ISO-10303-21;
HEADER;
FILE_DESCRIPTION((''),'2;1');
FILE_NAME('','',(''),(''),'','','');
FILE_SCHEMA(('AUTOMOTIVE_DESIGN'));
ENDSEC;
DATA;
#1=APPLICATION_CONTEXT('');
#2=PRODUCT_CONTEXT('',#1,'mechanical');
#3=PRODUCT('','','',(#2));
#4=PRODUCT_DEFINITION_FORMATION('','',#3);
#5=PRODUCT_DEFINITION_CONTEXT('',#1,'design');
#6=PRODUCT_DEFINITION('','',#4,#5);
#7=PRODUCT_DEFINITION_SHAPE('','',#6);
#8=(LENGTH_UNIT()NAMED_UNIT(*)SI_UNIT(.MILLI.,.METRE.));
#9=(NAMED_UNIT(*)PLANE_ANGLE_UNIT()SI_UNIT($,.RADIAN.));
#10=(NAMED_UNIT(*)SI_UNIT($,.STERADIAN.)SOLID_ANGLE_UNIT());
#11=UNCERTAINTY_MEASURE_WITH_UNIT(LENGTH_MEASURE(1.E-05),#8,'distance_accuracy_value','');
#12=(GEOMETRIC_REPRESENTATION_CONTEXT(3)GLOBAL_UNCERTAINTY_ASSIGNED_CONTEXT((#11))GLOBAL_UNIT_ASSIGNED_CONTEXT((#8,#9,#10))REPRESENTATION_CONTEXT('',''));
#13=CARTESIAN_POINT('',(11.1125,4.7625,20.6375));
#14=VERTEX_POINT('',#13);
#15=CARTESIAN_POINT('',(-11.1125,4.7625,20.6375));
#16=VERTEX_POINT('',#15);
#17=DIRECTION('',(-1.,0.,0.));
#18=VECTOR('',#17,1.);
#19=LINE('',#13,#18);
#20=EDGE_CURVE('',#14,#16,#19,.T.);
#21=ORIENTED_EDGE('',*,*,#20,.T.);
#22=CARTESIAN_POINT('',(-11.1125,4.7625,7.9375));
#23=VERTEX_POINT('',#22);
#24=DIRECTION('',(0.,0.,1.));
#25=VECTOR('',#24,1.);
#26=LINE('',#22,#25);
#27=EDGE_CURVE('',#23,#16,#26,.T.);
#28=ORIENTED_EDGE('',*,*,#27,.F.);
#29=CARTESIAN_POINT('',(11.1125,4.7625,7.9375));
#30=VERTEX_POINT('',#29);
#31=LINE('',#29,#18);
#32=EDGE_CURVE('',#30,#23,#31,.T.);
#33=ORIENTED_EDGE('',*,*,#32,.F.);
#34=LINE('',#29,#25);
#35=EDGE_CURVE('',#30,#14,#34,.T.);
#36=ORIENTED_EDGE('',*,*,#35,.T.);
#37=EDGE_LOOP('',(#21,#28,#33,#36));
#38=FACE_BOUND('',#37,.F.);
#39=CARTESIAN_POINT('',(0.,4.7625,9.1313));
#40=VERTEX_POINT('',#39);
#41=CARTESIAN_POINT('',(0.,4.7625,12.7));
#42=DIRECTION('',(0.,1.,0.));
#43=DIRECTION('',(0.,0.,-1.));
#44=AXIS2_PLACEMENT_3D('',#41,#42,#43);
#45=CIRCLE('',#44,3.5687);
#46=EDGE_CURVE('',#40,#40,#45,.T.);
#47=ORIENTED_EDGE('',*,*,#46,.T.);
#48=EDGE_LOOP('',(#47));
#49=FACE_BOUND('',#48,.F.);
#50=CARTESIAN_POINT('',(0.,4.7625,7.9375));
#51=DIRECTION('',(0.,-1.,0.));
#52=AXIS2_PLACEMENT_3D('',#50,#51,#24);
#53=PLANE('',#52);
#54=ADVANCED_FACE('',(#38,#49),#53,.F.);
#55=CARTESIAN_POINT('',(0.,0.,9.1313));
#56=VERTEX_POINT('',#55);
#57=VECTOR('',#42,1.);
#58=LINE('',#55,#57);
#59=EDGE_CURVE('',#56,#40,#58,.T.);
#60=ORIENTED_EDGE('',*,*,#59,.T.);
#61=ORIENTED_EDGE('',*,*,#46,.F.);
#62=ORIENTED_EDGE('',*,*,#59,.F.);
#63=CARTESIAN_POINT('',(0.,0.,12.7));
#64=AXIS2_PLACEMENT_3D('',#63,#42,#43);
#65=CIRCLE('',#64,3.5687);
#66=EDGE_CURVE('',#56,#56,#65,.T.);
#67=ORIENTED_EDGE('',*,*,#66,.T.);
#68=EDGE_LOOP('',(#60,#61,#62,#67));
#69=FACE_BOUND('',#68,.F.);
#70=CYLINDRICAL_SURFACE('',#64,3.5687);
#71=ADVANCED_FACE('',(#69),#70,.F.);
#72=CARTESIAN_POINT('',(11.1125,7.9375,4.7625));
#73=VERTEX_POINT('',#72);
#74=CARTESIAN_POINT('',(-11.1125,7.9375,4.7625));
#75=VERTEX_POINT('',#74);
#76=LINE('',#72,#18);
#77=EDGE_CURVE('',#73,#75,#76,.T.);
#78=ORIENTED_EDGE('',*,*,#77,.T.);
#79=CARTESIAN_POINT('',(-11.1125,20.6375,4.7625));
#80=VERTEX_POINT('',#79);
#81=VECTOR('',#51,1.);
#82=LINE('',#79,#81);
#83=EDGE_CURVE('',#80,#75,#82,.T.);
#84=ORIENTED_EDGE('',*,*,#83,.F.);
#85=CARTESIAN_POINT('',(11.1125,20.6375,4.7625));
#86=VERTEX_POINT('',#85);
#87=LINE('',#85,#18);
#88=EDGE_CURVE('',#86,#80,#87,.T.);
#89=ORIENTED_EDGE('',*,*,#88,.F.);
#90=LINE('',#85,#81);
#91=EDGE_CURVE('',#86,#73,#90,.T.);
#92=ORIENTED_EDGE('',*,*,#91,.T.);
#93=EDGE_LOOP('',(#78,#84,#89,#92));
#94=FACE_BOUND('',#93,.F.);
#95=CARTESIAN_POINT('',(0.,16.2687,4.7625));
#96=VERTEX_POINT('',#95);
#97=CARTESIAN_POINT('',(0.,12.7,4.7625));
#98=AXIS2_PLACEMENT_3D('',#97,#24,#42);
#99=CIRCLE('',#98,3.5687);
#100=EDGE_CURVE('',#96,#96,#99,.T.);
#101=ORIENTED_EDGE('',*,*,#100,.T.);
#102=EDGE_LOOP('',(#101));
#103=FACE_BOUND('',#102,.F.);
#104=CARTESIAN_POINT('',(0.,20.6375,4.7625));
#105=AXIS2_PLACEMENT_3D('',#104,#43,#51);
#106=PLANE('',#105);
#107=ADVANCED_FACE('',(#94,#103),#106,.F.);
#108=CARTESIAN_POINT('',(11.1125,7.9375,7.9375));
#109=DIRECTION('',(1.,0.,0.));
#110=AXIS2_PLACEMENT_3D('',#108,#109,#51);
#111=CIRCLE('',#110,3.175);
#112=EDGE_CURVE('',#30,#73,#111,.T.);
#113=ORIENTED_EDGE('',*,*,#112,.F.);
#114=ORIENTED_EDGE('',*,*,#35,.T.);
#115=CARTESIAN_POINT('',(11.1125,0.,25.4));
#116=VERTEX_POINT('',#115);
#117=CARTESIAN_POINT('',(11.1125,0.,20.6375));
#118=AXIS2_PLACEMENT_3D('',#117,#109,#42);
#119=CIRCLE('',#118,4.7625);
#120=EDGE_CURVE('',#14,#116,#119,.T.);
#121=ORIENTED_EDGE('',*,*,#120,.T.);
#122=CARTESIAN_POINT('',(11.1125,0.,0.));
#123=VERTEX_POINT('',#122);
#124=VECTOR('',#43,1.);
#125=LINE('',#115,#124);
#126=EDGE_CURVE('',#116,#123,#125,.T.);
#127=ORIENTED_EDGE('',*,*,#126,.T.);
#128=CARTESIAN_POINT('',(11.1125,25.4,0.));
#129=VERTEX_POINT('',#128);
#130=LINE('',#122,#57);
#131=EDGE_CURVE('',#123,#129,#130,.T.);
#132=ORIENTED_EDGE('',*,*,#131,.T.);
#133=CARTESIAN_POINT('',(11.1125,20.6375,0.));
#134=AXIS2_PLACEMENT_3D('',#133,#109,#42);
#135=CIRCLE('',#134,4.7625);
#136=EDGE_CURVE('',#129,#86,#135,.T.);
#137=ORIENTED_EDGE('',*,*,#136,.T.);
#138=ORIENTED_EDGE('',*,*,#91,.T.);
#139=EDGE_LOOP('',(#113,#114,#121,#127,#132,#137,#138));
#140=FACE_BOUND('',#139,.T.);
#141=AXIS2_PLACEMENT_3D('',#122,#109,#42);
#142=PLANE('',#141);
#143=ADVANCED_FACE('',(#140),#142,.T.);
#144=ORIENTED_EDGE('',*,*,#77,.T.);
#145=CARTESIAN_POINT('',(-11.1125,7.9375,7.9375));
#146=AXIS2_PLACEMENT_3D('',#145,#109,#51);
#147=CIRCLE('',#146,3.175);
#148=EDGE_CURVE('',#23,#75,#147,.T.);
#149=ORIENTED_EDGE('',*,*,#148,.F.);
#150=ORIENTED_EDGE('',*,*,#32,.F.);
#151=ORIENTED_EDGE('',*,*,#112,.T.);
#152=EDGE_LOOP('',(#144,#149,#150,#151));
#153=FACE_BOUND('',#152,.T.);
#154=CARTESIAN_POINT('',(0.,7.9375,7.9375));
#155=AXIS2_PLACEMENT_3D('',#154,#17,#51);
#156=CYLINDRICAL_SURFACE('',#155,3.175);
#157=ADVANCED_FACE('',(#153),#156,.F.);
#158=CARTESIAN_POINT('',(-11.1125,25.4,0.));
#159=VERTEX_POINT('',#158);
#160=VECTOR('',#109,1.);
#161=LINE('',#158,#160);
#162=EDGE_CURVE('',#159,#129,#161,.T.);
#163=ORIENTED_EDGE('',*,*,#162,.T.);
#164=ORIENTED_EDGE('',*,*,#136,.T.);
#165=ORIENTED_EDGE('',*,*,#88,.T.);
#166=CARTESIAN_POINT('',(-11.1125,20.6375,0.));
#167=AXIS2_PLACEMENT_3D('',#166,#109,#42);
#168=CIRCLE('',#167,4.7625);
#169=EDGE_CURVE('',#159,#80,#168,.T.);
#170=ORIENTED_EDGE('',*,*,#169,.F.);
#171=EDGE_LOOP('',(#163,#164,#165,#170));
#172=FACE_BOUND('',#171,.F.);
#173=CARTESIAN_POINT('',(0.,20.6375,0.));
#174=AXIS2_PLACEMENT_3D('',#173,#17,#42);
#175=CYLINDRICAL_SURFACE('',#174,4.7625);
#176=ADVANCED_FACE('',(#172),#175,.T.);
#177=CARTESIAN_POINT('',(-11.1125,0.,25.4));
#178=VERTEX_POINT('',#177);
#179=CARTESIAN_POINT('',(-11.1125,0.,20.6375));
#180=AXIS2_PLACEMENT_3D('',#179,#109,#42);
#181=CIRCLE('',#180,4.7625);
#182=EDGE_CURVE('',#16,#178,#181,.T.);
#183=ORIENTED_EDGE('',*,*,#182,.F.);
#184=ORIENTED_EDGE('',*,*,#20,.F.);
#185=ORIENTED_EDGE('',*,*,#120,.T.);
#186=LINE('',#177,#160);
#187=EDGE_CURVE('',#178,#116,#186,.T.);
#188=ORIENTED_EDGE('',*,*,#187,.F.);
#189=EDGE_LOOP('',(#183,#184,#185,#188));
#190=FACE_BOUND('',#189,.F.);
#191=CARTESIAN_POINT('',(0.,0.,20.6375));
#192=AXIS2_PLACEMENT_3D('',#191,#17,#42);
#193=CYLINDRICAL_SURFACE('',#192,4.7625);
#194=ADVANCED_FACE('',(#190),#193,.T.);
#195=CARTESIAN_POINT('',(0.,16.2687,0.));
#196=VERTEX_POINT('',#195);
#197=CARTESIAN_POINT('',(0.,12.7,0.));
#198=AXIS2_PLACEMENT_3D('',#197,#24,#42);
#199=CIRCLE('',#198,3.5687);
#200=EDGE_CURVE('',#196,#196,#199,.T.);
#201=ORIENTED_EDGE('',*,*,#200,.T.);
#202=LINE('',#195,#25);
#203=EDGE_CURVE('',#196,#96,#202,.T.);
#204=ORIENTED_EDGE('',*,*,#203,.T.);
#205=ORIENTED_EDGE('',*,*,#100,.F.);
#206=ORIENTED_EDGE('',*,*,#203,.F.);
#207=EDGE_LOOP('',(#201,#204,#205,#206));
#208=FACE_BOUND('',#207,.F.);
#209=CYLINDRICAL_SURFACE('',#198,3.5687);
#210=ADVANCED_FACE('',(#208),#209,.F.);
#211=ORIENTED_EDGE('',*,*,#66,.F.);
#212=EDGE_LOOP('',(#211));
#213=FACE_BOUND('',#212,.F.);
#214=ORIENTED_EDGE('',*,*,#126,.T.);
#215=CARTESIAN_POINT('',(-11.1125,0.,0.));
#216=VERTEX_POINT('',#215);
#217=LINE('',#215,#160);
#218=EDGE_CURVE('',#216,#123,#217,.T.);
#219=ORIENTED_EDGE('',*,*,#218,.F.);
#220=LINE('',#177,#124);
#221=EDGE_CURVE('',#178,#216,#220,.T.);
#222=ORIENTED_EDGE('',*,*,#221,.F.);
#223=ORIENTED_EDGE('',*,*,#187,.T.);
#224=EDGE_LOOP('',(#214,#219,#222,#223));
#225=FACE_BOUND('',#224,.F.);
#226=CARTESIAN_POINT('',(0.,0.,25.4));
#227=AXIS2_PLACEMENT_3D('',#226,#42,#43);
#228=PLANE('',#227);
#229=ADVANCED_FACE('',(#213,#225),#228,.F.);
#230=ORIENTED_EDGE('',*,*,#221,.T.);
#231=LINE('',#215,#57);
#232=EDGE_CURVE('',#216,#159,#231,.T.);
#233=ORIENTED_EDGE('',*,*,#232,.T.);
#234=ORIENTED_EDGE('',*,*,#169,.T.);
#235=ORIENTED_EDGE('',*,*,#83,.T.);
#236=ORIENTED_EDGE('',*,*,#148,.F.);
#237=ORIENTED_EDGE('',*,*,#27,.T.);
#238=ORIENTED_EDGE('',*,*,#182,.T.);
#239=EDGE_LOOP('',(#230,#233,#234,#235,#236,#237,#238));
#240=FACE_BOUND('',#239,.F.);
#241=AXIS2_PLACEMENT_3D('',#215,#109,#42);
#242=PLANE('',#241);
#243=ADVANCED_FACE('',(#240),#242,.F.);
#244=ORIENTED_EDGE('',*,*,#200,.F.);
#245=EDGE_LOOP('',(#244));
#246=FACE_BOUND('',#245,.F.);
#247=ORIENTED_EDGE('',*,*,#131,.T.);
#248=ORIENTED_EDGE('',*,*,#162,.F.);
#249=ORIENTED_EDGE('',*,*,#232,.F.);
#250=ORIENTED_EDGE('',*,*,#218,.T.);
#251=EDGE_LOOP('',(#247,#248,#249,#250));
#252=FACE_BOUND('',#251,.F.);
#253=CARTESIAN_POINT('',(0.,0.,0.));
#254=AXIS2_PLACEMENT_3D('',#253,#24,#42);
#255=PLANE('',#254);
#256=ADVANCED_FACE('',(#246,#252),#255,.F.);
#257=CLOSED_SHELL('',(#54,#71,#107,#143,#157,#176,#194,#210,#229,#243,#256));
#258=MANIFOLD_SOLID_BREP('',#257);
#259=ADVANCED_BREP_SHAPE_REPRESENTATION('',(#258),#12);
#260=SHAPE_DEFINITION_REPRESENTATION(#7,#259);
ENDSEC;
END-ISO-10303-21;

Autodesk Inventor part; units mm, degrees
ref_plane "YZ Plane" through (0, 0, 0) normal (1, 0, 0) x (0, 1, 0)
ref_plane "XZ Plane" through (0, 0, 0) normal (0, 1, 0) x (-1, 0, 0)
ref_plane "XY Plane" through (0, 0, 0) normal (0, 0, 1) x (1, 0, 0)
sketch "Sketch_1" plane through (0, 0, 0) normal (1, 0, 0) x (0, 1, 0)
  line L0 (0, 25.4) -> (0, 0)
  line L1 (0, 0) -> (25.4, 0)
  arc A0 (25.4, 0) -> (20.6375, 4.7625) centre (20.6375, 0) ccw
  line L2 (20.6375, 4.7625) -> (7.9375, 4.7625)
  arc A1 (4.7625, 7.9375) -> (7.9375, 4.7625) centre (7.9375, 7.9375) ccw
  line L3 (4.7625, 7.9375) -> (4.7625, 20.6375)
  arc A2 (4.7625, 20.6375) -> (0, 25.4) centre (0, 20.6375) ccw
extrude "Extrusion1" add sketch "Sketch_1" along normal mid plane 22.225
sketch "Sketch2" plane through (11.1125, 0, 0) normal (0, 0, -1) x (-1, 0, 0)
  point P0 (11.1125, 12.7)
hole "Hole1" at (0, 12.7, 0) direction (0, 0, 1) diameter 7.1374 depth 4.7625
sketch "Sketch3" plane through (-11.1125, 0, 25.4) normal (0, -1, 0) x (1, 0, 0)
  point P0 (11.1125, -12.7)
hole "Hole2" at (0, 0, 12.7) direction (0, 1, 0) diameter 7.1374 depth 4.7625
properties part number "4119"
